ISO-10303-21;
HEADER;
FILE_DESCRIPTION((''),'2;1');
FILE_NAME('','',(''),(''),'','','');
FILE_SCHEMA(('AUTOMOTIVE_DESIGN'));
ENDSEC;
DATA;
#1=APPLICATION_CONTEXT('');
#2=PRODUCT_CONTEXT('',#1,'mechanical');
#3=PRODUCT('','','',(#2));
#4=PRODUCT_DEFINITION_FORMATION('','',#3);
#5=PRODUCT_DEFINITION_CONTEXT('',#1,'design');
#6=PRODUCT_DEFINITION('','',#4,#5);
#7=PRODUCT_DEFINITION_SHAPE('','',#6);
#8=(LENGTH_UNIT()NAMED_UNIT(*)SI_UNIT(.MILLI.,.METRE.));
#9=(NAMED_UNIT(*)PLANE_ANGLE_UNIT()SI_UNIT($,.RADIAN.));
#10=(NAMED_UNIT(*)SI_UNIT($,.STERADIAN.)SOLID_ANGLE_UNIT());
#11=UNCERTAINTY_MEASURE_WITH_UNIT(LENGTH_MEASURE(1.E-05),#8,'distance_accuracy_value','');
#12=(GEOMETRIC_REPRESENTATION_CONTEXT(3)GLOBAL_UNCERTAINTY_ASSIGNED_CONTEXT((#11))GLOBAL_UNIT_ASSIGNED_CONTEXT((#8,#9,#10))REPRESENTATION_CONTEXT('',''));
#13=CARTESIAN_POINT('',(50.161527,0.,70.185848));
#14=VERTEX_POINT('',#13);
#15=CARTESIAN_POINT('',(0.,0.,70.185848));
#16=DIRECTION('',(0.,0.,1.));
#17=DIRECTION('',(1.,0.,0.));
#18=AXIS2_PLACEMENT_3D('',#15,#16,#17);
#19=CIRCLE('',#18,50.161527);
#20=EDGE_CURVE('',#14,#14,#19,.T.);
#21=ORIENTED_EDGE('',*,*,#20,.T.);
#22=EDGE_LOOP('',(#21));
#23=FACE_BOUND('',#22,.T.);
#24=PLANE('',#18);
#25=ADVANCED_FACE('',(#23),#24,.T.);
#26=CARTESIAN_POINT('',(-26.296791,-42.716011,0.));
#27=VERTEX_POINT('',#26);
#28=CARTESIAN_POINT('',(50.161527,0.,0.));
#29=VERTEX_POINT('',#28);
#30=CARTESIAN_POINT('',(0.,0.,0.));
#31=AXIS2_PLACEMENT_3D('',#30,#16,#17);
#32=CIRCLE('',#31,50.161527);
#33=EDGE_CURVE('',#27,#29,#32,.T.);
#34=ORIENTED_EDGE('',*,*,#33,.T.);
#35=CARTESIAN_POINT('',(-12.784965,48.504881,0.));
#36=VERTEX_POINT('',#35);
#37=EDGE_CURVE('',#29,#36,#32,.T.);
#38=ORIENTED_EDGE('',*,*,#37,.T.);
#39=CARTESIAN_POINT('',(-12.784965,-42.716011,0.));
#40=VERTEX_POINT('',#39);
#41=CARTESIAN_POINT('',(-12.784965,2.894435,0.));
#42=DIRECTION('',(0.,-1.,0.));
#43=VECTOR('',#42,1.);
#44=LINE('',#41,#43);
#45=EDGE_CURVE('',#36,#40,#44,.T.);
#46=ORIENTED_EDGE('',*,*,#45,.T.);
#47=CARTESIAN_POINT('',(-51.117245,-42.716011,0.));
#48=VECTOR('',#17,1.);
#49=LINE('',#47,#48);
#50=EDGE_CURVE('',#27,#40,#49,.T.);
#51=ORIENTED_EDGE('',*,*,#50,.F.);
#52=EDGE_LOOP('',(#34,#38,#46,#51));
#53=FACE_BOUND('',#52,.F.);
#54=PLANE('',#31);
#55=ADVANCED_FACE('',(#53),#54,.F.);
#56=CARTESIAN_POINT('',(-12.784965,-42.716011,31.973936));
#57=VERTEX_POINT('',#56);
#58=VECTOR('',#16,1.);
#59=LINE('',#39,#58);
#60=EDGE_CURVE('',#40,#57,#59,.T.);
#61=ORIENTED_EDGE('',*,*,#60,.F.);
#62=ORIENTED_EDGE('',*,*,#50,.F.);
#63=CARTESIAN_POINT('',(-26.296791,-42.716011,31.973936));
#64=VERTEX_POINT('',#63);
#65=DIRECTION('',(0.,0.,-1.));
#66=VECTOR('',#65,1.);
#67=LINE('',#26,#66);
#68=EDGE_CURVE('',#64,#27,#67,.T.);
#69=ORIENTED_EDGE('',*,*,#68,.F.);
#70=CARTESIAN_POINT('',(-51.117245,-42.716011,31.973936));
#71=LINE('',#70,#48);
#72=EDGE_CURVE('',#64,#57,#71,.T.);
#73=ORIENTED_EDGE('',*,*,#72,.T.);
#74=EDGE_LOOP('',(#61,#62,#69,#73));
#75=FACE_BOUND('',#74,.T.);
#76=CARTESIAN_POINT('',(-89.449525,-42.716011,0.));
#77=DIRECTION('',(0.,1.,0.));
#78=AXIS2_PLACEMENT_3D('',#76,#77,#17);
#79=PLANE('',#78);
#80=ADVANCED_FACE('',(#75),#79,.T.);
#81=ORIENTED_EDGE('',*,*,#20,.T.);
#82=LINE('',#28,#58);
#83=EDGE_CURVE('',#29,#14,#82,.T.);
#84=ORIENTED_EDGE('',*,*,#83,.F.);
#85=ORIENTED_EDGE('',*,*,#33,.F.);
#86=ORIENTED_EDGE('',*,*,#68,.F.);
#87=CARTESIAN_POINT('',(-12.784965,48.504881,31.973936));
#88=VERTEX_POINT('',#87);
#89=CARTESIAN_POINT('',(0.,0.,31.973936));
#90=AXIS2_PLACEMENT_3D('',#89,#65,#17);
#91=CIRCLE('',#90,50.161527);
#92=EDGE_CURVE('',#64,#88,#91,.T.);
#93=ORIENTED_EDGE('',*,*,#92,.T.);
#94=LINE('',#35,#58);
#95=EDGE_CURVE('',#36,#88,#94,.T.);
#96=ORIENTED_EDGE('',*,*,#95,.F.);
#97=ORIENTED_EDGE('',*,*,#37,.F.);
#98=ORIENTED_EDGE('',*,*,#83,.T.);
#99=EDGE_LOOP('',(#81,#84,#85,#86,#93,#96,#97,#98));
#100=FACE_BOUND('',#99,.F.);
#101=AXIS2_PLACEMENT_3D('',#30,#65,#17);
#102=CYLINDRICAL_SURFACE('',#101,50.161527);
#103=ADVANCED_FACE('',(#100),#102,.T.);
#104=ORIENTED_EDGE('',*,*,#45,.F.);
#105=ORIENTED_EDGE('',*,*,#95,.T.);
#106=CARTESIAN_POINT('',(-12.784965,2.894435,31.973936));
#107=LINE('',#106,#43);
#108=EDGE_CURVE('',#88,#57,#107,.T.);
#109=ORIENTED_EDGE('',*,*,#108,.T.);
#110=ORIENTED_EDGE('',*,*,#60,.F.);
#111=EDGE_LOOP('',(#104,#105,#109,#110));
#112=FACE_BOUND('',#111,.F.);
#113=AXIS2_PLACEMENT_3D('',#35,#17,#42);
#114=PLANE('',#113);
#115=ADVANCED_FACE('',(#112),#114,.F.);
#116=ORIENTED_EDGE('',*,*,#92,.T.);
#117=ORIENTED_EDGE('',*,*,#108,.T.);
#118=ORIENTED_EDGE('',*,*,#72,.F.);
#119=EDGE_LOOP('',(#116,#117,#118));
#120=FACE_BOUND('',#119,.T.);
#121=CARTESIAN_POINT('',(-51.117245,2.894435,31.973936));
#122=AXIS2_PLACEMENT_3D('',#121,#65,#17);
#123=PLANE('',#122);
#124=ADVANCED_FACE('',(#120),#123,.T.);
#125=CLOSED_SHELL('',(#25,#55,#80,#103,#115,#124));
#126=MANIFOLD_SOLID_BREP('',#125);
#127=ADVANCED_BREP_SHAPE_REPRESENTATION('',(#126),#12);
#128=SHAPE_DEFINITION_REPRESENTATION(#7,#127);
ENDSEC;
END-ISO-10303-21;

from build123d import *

# Parameters (mm, degrees)
F0_R     = 50.161527
F1_DEPTH = 70.185848
F3_W     = 76.66456
F3_H     = 91.220892
F4_DEPTH = 31.973936


with BuildPart() as f1:
    # F0 (on Top) → F1 (new body)
    with BuildSketch(Plane.XY):
        Circle(F0_R)
    extrude(amount=F1_DEPTH)

    # F3 (on face) → F4 (cut)
    with BuildSketch(Plane(origin=(0, 0, 0), x_dir=(1, 0, 0), z_dir=(0, 0, -1))):
        with Locations((-51.117245, -2.894435)):
            Rectangle(F3_W, F3_H)
    extrude(amount=-F4_DEPTH, mode=Mode.SUBTRACT)


solid = f1.part
